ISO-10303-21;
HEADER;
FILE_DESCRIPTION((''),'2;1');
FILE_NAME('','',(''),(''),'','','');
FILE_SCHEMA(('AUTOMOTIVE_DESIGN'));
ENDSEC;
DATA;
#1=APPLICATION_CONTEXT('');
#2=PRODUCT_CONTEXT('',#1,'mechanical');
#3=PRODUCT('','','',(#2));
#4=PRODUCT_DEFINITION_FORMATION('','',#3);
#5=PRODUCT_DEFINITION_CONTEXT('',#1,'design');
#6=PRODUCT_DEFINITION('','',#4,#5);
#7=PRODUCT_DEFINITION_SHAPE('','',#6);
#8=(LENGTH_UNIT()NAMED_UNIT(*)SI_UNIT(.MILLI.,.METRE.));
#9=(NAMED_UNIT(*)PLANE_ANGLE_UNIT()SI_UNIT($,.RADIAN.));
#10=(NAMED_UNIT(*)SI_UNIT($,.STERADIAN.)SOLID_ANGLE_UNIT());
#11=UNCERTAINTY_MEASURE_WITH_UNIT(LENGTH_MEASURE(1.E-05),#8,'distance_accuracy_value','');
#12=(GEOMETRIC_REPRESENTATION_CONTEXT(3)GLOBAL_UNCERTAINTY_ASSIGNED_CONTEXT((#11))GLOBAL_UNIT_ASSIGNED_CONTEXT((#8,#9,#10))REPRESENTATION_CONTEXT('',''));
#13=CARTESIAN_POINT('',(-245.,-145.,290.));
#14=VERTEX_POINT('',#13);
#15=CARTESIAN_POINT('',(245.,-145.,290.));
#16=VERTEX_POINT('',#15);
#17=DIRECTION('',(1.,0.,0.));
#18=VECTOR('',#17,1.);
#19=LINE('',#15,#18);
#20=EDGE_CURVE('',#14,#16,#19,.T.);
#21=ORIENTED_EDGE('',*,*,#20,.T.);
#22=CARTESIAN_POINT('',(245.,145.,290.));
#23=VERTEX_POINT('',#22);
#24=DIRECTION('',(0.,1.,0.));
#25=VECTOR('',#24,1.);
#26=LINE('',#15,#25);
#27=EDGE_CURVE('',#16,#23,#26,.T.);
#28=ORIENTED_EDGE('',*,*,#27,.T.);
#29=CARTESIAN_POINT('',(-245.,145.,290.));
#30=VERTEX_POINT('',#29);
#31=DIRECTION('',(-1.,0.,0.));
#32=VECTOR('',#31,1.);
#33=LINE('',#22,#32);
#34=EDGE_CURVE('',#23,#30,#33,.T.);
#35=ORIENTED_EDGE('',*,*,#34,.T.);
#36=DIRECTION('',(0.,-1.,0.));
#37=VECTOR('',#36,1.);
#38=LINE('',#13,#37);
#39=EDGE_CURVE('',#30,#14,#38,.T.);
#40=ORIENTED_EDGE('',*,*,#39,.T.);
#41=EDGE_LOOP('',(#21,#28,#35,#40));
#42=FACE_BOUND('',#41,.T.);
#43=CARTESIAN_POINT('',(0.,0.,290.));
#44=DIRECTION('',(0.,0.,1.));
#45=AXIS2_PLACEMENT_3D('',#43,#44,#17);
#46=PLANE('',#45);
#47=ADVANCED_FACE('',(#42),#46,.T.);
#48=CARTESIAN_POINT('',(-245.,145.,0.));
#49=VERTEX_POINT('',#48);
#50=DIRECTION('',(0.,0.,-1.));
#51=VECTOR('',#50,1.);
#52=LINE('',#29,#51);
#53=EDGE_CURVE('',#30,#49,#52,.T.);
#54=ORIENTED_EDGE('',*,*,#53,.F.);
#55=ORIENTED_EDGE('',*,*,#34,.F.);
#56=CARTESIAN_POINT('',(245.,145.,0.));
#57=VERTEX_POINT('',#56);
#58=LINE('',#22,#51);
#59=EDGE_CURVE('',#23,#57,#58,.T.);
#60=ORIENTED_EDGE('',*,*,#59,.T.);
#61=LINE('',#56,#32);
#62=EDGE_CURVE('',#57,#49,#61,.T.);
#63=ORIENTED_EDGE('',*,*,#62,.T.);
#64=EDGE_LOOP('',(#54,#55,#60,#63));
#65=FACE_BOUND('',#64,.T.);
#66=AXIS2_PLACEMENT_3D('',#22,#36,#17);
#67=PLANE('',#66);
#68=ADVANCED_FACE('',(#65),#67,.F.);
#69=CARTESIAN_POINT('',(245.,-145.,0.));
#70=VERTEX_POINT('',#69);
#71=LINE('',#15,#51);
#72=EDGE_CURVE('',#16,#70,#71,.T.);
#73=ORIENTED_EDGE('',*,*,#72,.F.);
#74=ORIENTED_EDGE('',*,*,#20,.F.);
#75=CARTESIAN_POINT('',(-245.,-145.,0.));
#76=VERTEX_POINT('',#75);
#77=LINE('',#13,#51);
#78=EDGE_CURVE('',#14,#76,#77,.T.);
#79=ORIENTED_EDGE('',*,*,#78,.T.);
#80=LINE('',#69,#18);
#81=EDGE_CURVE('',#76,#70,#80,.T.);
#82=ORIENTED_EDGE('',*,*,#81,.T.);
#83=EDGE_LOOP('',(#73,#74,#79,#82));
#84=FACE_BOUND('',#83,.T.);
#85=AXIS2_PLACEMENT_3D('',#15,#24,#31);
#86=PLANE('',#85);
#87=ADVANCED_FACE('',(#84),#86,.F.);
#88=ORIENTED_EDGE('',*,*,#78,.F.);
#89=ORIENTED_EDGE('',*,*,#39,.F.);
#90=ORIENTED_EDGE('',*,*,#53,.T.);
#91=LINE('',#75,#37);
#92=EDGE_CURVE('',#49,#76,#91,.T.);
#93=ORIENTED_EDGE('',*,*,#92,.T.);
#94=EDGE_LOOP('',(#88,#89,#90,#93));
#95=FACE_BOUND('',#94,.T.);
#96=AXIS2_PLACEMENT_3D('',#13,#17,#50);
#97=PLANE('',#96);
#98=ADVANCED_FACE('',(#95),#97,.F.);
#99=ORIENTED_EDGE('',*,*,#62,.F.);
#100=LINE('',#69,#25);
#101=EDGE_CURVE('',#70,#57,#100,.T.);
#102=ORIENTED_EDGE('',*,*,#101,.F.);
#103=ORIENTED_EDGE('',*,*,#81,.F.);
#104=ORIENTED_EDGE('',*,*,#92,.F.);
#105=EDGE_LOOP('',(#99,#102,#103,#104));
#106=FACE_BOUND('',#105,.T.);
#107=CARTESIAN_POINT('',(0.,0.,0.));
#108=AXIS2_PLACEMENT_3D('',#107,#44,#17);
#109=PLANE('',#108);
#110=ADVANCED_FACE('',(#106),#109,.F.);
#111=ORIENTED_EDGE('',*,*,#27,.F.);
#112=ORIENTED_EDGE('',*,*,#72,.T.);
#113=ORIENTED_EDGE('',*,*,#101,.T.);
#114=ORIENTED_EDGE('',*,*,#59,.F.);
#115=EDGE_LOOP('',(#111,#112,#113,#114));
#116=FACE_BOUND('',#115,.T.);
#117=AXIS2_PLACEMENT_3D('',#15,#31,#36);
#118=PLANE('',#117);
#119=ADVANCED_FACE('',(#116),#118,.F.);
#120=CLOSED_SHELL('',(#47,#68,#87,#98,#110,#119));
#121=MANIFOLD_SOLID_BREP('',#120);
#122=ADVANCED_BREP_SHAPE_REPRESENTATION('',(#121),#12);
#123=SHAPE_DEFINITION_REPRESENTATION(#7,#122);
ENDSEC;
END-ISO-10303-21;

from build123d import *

# Parameters (mm, degrees)
ESQUISSE1_W        = 490
ESQUISSE1_H        = 290
BOSS_EXTRU_1_DEPTH = 290


with BuildPart() as part:
    # Esquisse1 → Boss.-Extru.1 (new body)
    with BuildSketch(Plane.XY):
        Rectangle(ESQUISSE1_W, ESQUISSE1_H)
    extrude(amount=BOSS_EXTRU_1_DEPTH)


solid = part.part
